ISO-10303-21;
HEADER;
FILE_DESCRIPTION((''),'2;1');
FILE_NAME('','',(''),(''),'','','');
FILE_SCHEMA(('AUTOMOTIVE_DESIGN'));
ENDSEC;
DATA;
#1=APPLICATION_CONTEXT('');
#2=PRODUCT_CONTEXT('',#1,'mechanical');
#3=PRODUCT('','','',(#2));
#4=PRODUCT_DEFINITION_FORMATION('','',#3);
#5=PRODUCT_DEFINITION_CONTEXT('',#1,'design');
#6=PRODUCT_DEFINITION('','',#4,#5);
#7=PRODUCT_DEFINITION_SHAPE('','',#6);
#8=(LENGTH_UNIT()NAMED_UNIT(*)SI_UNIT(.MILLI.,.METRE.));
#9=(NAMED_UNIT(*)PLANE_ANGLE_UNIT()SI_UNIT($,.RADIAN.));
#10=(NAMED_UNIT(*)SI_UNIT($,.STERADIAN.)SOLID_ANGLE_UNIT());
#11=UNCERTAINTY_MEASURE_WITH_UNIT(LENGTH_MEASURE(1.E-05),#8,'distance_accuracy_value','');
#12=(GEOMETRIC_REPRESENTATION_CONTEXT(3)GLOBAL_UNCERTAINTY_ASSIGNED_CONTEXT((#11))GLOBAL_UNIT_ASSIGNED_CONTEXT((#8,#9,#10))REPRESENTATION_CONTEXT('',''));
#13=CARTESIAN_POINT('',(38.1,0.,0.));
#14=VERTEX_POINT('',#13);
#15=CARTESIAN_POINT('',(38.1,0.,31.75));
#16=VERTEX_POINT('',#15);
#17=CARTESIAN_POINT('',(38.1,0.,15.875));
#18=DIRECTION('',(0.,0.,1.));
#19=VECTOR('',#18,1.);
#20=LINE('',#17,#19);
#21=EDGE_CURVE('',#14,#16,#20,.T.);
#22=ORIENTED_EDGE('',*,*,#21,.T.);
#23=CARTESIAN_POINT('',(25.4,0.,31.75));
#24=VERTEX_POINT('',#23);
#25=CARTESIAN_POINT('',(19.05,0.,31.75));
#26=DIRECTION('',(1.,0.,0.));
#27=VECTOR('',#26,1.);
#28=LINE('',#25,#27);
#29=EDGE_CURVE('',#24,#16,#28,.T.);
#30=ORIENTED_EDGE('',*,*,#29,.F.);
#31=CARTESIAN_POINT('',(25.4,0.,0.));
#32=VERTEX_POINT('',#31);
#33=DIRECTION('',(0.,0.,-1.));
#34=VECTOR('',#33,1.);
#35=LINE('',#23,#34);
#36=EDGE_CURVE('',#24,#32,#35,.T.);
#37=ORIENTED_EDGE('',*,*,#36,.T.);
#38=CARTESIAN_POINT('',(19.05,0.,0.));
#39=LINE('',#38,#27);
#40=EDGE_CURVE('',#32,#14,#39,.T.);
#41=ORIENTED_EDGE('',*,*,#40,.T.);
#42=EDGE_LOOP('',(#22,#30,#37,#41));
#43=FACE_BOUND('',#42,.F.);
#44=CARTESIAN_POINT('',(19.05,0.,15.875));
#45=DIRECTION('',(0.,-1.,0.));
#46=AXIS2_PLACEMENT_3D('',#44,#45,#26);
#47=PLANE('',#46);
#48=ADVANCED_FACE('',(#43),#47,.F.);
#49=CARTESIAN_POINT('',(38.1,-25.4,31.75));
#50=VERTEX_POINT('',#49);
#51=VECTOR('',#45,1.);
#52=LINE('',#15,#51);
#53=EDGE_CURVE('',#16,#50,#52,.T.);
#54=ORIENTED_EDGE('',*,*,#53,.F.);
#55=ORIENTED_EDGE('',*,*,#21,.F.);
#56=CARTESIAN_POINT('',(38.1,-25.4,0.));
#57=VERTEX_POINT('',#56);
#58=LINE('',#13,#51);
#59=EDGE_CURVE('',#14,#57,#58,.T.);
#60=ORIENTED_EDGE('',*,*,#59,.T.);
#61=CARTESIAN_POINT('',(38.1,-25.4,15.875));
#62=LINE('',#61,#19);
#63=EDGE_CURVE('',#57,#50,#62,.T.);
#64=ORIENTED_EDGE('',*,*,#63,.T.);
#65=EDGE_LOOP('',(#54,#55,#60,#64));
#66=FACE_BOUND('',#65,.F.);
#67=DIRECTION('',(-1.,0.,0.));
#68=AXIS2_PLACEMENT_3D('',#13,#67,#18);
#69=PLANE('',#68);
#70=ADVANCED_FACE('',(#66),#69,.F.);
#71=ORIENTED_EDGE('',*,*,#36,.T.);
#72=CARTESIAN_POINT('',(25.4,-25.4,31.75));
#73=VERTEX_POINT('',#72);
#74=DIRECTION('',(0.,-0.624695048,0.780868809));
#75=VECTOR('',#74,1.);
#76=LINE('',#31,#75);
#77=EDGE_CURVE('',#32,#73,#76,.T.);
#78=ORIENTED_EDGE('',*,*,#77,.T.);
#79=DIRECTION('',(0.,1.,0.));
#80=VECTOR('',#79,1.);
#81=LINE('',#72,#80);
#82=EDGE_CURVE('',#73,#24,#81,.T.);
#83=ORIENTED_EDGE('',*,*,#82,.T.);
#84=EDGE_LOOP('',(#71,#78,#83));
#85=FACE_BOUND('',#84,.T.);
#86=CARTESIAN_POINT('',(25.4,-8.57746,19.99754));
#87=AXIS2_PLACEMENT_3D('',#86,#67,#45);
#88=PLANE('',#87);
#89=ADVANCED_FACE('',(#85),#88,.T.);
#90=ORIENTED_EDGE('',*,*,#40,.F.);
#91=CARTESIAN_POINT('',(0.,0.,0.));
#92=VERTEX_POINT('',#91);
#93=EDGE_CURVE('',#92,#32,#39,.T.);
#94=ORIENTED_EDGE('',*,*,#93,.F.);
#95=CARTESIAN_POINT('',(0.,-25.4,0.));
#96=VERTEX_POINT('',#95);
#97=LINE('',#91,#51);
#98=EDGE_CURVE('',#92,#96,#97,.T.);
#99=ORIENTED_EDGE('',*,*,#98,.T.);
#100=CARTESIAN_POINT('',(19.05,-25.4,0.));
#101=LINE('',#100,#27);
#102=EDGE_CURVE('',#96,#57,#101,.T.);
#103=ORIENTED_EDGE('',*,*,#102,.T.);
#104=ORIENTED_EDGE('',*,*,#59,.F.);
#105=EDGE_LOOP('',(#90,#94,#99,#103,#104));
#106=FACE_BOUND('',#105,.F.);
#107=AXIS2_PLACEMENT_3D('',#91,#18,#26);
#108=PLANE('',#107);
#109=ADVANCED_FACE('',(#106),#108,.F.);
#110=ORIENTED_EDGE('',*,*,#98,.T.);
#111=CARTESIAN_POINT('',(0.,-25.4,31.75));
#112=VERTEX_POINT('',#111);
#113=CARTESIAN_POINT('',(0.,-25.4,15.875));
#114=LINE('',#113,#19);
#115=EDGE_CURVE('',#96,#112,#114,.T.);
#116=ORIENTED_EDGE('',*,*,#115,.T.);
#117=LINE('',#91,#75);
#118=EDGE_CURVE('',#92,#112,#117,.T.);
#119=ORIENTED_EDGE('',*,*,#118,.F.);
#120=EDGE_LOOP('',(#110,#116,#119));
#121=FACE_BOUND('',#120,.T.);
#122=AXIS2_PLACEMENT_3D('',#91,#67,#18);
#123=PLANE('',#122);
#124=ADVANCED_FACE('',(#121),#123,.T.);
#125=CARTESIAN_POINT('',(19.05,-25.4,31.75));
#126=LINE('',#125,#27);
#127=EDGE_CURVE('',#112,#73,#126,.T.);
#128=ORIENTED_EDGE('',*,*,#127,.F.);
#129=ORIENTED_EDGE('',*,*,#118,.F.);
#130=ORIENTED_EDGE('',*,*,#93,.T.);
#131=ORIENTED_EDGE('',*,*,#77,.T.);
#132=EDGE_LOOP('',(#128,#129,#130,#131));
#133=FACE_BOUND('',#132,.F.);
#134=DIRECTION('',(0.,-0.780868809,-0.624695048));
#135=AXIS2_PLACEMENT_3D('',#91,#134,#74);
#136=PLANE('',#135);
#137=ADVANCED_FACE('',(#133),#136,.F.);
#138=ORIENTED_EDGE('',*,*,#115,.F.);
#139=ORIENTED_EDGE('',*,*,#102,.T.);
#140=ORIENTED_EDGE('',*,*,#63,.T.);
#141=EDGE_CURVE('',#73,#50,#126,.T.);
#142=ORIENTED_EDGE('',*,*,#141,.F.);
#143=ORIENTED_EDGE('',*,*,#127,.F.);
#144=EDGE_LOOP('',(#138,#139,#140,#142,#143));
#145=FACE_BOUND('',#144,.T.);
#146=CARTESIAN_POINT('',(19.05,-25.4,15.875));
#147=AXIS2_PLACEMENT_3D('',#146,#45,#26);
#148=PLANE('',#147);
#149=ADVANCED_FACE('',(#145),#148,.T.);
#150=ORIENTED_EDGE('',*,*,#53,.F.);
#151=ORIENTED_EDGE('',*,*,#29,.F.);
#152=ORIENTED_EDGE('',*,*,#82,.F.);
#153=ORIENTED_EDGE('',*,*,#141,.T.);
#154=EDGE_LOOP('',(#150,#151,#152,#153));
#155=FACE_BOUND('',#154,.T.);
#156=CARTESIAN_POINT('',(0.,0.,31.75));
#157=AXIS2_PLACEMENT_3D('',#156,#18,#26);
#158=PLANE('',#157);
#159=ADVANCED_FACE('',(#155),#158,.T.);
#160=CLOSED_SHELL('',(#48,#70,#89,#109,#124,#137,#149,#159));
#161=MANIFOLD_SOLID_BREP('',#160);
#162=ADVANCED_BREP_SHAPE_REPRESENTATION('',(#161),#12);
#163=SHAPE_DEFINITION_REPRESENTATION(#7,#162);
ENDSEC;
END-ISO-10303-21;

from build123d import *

# Parameters (mm, degrees)
F0_W     = 38.1
F0_H     = 31.75
F1_DEPTH = 25.4
F3_DEPTH = 25.4


with BuildPart() as f1:
    # F0 (on Front) → F1 (new body)
    with BuildSketch(Plane.XZ):
        with Locations((19.05, 15.875)):
            Rectangle(F0_W, F0_H)
    extrude(amount=F1_DEPTH)

    # F2 (on face) → F3 (cut)
    with BuildSketch(Plane(origin=(0, 0, 0), x_dir=(0, -1, 0), z_dir=(-1, 0, 0))):
        Polygon((0, 31.75), (0, 0), (25.4, 31.75), align=None)
    extrude(amount=-F3_DEPTH, mode=Mode.SUBTRACT)


solid = f1.part
